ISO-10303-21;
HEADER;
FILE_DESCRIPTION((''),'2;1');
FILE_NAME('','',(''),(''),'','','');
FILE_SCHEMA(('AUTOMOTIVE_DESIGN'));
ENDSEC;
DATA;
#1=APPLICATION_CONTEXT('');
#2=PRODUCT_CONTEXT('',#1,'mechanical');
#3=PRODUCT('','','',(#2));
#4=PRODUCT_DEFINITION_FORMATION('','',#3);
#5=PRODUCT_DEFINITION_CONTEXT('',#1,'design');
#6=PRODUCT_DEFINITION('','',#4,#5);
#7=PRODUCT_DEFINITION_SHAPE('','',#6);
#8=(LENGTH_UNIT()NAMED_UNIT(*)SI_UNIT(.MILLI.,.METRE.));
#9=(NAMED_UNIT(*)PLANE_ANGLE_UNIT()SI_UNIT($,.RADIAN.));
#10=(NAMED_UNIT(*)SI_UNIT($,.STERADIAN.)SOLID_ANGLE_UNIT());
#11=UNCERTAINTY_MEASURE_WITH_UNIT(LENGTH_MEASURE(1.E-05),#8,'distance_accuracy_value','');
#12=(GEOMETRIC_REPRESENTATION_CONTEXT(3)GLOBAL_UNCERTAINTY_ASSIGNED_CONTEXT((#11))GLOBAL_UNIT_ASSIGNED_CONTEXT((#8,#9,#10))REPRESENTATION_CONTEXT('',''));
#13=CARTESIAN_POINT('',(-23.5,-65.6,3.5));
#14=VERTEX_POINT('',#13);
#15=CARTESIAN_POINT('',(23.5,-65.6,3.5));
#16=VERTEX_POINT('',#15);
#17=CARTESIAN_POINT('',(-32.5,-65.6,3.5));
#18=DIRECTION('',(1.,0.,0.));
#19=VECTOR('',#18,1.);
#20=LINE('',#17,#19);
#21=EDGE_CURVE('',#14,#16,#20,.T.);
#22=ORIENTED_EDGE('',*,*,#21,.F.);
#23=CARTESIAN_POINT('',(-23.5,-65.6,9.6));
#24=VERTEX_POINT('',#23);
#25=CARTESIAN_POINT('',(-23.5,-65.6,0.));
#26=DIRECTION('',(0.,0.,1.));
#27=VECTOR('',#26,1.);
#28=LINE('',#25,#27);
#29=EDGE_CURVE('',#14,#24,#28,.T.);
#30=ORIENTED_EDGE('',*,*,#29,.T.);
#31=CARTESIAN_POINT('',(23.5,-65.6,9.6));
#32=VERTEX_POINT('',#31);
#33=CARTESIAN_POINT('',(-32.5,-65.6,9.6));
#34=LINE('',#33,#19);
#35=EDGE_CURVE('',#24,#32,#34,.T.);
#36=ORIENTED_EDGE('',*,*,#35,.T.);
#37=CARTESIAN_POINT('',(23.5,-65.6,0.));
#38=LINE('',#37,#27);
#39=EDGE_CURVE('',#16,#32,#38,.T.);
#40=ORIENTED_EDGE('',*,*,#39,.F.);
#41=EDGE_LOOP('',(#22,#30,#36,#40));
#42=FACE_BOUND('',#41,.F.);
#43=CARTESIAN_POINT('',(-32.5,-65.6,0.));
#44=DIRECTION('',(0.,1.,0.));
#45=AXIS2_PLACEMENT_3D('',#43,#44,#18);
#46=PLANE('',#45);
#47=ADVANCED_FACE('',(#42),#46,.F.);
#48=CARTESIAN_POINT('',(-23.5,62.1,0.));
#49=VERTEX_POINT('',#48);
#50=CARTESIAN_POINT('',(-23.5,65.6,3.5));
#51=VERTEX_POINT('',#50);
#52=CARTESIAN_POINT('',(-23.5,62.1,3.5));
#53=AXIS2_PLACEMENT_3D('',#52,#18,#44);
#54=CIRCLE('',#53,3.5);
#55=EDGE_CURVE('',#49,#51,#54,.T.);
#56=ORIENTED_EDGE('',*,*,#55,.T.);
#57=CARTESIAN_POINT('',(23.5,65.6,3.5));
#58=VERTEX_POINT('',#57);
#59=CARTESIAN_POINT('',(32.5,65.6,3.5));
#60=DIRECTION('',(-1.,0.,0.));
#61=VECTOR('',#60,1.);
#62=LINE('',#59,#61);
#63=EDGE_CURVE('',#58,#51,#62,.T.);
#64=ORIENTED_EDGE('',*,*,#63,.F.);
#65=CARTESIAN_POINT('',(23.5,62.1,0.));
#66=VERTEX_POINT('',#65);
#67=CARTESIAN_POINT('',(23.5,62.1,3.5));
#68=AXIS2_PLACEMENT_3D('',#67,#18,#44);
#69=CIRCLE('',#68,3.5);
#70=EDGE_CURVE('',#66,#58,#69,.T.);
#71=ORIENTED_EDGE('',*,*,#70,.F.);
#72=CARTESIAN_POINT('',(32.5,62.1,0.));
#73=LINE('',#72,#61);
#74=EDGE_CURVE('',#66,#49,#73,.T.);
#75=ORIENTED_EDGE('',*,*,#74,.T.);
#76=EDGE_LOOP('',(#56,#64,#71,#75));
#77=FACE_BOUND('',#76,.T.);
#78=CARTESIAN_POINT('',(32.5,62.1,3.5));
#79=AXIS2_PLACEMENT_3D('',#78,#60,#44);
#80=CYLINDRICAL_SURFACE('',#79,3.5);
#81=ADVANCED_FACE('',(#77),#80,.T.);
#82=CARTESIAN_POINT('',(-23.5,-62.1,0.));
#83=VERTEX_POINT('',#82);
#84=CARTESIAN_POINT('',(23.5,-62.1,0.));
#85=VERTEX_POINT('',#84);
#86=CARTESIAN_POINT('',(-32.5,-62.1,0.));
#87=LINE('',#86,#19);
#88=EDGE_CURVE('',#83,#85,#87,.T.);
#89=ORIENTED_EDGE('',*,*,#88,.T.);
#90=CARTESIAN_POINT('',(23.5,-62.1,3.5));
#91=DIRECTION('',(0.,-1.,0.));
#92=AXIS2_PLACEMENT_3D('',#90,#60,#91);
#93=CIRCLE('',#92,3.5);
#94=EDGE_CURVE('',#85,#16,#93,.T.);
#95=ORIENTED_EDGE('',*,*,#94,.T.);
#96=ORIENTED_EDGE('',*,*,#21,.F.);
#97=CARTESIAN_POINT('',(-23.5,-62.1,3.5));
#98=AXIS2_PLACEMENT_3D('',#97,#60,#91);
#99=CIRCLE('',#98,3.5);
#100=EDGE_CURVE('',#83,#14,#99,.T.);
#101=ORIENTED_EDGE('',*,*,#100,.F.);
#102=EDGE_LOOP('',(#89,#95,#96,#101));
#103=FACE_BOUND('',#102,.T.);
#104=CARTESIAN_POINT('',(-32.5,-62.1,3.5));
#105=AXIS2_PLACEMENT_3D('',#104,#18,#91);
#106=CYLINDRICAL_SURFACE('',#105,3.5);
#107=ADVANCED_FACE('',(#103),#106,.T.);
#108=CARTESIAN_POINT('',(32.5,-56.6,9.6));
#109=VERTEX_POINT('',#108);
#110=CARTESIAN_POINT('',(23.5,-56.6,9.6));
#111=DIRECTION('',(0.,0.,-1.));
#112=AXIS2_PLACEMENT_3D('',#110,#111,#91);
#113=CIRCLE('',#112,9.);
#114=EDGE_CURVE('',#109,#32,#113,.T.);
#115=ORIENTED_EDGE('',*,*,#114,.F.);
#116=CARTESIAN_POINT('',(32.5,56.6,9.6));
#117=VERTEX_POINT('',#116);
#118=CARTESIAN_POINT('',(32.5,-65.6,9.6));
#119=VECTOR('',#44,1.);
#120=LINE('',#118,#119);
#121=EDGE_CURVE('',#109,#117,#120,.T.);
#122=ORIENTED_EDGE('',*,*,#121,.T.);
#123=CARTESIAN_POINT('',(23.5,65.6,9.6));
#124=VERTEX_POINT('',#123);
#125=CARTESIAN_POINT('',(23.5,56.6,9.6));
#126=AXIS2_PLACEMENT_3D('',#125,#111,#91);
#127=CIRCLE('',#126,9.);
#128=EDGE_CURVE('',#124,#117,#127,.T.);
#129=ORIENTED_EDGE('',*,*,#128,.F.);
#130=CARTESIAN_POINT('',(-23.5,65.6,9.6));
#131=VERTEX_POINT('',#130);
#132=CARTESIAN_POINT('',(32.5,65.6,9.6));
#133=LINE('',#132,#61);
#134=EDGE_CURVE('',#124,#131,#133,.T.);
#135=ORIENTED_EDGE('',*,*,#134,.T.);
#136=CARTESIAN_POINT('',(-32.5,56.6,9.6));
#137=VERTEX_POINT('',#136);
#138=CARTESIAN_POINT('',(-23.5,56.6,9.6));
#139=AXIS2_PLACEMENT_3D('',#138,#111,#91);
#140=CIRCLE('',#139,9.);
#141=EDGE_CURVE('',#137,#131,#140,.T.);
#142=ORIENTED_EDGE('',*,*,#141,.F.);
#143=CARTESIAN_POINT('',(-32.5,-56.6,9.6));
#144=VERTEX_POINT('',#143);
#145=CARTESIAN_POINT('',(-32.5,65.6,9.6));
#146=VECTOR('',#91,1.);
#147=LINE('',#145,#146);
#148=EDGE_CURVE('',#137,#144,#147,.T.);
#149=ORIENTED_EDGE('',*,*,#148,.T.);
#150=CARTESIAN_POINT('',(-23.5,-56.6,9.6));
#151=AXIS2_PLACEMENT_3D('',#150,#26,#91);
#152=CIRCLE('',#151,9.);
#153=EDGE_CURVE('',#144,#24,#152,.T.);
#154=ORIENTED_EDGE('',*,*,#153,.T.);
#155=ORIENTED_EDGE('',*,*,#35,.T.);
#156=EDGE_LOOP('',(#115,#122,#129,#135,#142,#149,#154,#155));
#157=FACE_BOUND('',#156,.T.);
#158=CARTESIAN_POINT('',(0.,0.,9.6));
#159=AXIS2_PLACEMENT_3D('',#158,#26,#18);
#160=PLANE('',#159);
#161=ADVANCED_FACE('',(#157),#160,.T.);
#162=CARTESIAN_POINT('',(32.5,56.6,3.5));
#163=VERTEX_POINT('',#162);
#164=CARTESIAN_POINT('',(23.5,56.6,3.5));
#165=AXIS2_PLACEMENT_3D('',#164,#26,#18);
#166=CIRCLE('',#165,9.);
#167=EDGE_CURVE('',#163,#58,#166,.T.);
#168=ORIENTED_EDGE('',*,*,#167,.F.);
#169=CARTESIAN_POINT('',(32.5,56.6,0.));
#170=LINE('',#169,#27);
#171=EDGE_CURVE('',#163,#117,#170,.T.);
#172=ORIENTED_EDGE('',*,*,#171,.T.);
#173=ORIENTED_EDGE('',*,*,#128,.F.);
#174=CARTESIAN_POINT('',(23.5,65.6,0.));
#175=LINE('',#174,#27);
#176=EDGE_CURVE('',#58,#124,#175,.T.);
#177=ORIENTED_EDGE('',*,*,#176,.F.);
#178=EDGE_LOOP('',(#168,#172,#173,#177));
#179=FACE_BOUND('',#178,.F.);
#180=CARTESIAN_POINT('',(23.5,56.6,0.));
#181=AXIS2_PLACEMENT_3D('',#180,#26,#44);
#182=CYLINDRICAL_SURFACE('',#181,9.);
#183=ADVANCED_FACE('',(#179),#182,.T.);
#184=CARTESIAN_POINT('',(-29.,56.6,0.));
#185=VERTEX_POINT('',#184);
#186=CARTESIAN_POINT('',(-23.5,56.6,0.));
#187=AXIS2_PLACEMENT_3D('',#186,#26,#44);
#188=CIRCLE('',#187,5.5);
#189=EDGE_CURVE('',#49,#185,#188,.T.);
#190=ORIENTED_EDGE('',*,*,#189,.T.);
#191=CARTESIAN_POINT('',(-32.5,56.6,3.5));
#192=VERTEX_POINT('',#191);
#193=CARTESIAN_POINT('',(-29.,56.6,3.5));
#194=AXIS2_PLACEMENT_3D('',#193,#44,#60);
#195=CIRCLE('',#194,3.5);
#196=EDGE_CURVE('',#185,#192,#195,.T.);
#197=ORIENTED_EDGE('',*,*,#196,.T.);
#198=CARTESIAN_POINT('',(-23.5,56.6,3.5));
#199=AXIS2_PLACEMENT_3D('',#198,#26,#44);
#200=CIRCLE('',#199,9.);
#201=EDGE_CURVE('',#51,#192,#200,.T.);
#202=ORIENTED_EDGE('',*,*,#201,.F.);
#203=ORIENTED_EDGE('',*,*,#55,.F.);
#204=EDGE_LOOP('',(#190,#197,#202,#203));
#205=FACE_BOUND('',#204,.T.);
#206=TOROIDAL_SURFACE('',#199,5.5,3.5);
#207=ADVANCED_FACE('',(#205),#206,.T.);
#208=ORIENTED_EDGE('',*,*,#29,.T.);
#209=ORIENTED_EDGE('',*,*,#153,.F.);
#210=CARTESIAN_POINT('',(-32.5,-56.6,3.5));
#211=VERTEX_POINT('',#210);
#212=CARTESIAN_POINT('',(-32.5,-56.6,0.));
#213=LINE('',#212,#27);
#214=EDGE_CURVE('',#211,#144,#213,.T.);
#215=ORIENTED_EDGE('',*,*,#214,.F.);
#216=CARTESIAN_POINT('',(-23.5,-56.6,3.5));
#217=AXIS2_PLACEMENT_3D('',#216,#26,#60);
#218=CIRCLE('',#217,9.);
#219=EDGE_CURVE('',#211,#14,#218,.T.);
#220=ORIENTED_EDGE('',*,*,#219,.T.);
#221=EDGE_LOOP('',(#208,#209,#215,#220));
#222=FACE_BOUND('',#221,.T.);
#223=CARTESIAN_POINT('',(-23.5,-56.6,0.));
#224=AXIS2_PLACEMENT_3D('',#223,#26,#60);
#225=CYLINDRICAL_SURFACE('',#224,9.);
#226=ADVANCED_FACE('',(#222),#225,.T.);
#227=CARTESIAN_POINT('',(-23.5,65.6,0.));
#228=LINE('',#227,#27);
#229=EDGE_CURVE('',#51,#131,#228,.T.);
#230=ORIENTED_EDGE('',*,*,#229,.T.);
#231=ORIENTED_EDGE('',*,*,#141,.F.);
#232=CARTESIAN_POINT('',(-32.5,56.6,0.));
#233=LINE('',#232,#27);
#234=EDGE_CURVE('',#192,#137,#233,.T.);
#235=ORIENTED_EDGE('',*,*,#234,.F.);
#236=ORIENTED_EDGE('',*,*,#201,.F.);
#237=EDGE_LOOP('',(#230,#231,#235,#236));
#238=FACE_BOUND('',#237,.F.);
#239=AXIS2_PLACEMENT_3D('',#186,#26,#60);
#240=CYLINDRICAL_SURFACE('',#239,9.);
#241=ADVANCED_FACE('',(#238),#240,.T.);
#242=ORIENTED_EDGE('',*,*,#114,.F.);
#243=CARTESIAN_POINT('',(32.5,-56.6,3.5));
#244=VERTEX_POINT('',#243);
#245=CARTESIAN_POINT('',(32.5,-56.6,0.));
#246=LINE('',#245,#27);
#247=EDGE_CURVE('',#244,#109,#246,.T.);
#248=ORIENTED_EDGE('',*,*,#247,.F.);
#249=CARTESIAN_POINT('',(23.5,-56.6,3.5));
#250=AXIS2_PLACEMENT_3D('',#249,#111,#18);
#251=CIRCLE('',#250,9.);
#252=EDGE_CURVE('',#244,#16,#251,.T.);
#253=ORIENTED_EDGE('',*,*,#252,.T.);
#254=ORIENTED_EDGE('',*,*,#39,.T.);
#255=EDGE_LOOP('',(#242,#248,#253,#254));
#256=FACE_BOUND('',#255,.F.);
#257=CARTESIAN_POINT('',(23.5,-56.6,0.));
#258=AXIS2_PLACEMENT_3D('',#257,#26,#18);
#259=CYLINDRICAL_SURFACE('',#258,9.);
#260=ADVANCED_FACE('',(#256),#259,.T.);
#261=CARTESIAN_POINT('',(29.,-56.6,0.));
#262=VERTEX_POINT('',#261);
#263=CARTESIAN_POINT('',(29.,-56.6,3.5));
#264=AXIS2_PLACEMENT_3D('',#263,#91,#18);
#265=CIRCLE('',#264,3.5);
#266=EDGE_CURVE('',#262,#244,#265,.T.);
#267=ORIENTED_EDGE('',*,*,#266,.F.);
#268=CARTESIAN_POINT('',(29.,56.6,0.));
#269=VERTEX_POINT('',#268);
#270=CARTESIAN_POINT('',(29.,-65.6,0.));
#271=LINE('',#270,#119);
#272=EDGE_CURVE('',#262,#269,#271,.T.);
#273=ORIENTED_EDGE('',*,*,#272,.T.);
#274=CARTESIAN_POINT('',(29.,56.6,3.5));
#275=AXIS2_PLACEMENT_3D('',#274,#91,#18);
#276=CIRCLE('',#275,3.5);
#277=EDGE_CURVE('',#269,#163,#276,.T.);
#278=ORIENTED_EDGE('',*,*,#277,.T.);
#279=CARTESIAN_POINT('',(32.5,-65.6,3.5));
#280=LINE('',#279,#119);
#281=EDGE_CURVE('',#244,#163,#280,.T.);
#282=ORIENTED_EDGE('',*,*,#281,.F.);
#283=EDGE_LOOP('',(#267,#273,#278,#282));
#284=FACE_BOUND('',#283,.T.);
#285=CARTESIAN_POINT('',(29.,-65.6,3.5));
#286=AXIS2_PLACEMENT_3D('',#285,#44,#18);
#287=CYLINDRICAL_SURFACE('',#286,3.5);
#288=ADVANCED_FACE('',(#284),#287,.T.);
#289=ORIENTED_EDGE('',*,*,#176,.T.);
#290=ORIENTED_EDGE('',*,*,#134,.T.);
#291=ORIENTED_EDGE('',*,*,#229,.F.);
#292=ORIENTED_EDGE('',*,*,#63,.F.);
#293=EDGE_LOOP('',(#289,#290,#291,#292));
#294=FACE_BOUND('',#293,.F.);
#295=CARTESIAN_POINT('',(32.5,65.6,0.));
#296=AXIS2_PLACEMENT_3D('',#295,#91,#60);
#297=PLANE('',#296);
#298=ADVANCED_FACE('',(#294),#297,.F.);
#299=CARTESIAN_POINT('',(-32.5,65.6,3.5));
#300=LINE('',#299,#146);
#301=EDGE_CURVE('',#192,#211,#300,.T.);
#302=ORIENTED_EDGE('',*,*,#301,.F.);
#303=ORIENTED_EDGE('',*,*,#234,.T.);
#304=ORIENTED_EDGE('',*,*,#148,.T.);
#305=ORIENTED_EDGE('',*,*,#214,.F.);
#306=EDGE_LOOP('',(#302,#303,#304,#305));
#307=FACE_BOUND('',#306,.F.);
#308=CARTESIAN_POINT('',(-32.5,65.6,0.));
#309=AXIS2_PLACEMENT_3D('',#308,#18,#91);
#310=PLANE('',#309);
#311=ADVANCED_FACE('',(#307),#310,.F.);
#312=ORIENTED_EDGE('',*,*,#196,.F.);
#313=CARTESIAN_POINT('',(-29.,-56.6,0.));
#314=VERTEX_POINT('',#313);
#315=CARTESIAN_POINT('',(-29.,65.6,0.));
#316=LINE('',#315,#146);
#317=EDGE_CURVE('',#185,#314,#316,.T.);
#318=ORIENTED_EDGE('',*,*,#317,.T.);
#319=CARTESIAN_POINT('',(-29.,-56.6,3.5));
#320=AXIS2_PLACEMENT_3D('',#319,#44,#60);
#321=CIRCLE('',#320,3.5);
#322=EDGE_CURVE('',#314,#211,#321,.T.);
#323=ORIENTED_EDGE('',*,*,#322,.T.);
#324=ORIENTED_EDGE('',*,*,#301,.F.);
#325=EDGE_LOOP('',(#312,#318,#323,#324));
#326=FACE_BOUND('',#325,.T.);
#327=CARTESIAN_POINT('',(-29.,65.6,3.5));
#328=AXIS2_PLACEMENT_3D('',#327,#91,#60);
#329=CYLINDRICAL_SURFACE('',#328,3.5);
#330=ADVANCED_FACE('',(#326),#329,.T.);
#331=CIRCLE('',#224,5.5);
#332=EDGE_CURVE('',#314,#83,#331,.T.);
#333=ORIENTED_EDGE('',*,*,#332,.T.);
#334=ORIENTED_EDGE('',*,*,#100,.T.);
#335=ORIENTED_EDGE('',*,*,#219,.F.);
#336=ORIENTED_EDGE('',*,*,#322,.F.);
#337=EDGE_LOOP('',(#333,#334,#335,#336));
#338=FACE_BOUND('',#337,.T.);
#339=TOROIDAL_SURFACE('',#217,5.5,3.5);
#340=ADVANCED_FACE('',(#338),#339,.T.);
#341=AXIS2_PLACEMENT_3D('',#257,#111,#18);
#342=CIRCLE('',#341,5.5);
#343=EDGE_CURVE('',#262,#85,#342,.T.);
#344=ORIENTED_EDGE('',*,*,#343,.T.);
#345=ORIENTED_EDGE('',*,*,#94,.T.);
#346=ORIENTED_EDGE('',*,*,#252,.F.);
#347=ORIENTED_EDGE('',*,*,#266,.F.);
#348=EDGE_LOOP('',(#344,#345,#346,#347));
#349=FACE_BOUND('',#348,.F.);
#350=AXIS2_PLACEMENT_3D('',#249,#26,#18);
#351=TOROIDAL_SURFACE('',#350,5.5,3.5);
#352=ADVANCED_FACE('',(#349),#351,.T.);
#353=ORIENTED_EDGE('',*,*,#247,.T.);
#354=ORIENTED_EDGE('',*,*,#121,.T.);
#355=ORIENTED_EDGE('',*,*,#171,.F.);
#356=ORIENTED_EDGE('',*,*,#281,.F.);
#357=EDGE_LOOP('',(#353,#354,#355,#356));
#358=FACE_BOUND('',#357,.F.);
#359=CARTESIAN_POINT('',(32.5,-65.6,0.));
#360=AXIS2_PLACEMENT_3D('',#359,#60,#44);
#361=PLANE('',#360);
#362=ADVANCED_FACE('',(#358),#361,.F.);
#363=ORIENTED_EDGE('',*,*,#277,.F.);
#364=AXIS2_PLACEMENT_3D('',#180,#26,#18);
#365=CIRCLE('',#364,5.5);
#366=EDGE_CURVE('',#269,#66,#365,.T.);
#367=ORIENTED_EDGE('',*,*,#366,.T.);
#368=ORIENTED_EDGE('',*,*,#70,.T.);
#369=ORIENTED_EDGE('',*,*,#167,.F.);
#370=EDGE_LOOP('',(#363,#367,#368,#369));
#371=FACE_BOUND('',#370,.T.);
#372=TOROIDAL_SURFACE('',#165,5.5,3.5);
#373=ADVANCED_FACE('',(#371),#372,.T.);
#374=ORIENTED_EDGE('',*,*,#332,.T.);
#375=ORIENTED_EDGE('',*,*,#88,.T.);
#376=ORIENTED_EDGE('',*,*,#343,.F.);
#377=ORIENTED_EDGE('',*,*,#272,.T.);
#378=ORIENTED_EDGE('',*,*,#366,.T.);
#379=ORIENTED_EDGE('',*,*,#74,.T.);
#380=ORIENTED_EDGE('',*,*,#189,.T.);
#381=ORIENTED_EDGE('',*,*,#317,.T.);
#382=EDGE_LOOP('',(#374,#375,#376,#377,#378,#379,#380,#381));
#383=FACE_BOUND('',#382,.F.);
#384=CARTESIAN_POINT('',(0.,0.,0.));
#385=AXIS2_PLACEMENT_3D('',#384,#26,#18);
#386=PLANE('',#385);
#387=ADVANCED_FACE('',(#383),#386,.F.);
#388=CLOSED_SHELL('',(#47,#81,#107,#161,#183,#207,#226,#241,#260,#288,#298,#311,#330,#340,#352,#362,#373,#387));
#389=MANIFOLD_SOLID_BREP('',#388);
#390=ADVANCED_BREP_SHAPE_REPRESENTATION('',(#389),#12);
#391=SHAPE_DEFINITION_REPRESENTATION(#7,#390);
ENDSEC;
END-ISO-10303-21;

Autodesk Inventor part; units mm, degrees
ref_plane "YZ Plane" through (0, 0, 0) normal (1, 0, 0) x (0, 1, 0)
ref_plane "XZ Plane" through (0, 0, 0) normal (0, 1, 0) x (-1, 0, 0)
ref_plane "XY Plane" through (0, 0, 0) normal (0, 0, 1) x (1, 0, 0)
sketch "Sketch1" plane through (0, 0, 0) normal (0, 0, 1) x (1, 0, 0)
  line L0 (-32.5, -65.6) -> (32.5, -65.6)
  line L1 (32.5, -65.6) -> (32.5, 65.6)
  line L2 (32.5, 65.6) -> (-32.5, 65.6)
  line L3 (-32.5, 65.6) -> (-32.5, -65.6)
  line L4 (-32.5, -65.6) -> (32.5, 65.6) construction
  line L5 (32.5, -65.6) -> (-32.5, 65.6) construction
  point P0 (0, 0)
  dimension "d0" = 65
  dimension "d1" = 131.2
extrude "Extrusion1" add sketch "Sketch1" along normal blind 9.6
fillet "Fillet1" radius 3.5 4 edges at (32.5, 0, 0) (0, 65.6, 0) (-32.5, 0, 0) (0, -65.6, 0)
fillet "Fillet1" radius 9 4 edges at (32.5, 65.6, 4.8) (-32.5, 65.6, 4.8) (-32.5, -65.6, 4.8) (32.5, -65.6, 4.8)
properties part number "basic shape"
